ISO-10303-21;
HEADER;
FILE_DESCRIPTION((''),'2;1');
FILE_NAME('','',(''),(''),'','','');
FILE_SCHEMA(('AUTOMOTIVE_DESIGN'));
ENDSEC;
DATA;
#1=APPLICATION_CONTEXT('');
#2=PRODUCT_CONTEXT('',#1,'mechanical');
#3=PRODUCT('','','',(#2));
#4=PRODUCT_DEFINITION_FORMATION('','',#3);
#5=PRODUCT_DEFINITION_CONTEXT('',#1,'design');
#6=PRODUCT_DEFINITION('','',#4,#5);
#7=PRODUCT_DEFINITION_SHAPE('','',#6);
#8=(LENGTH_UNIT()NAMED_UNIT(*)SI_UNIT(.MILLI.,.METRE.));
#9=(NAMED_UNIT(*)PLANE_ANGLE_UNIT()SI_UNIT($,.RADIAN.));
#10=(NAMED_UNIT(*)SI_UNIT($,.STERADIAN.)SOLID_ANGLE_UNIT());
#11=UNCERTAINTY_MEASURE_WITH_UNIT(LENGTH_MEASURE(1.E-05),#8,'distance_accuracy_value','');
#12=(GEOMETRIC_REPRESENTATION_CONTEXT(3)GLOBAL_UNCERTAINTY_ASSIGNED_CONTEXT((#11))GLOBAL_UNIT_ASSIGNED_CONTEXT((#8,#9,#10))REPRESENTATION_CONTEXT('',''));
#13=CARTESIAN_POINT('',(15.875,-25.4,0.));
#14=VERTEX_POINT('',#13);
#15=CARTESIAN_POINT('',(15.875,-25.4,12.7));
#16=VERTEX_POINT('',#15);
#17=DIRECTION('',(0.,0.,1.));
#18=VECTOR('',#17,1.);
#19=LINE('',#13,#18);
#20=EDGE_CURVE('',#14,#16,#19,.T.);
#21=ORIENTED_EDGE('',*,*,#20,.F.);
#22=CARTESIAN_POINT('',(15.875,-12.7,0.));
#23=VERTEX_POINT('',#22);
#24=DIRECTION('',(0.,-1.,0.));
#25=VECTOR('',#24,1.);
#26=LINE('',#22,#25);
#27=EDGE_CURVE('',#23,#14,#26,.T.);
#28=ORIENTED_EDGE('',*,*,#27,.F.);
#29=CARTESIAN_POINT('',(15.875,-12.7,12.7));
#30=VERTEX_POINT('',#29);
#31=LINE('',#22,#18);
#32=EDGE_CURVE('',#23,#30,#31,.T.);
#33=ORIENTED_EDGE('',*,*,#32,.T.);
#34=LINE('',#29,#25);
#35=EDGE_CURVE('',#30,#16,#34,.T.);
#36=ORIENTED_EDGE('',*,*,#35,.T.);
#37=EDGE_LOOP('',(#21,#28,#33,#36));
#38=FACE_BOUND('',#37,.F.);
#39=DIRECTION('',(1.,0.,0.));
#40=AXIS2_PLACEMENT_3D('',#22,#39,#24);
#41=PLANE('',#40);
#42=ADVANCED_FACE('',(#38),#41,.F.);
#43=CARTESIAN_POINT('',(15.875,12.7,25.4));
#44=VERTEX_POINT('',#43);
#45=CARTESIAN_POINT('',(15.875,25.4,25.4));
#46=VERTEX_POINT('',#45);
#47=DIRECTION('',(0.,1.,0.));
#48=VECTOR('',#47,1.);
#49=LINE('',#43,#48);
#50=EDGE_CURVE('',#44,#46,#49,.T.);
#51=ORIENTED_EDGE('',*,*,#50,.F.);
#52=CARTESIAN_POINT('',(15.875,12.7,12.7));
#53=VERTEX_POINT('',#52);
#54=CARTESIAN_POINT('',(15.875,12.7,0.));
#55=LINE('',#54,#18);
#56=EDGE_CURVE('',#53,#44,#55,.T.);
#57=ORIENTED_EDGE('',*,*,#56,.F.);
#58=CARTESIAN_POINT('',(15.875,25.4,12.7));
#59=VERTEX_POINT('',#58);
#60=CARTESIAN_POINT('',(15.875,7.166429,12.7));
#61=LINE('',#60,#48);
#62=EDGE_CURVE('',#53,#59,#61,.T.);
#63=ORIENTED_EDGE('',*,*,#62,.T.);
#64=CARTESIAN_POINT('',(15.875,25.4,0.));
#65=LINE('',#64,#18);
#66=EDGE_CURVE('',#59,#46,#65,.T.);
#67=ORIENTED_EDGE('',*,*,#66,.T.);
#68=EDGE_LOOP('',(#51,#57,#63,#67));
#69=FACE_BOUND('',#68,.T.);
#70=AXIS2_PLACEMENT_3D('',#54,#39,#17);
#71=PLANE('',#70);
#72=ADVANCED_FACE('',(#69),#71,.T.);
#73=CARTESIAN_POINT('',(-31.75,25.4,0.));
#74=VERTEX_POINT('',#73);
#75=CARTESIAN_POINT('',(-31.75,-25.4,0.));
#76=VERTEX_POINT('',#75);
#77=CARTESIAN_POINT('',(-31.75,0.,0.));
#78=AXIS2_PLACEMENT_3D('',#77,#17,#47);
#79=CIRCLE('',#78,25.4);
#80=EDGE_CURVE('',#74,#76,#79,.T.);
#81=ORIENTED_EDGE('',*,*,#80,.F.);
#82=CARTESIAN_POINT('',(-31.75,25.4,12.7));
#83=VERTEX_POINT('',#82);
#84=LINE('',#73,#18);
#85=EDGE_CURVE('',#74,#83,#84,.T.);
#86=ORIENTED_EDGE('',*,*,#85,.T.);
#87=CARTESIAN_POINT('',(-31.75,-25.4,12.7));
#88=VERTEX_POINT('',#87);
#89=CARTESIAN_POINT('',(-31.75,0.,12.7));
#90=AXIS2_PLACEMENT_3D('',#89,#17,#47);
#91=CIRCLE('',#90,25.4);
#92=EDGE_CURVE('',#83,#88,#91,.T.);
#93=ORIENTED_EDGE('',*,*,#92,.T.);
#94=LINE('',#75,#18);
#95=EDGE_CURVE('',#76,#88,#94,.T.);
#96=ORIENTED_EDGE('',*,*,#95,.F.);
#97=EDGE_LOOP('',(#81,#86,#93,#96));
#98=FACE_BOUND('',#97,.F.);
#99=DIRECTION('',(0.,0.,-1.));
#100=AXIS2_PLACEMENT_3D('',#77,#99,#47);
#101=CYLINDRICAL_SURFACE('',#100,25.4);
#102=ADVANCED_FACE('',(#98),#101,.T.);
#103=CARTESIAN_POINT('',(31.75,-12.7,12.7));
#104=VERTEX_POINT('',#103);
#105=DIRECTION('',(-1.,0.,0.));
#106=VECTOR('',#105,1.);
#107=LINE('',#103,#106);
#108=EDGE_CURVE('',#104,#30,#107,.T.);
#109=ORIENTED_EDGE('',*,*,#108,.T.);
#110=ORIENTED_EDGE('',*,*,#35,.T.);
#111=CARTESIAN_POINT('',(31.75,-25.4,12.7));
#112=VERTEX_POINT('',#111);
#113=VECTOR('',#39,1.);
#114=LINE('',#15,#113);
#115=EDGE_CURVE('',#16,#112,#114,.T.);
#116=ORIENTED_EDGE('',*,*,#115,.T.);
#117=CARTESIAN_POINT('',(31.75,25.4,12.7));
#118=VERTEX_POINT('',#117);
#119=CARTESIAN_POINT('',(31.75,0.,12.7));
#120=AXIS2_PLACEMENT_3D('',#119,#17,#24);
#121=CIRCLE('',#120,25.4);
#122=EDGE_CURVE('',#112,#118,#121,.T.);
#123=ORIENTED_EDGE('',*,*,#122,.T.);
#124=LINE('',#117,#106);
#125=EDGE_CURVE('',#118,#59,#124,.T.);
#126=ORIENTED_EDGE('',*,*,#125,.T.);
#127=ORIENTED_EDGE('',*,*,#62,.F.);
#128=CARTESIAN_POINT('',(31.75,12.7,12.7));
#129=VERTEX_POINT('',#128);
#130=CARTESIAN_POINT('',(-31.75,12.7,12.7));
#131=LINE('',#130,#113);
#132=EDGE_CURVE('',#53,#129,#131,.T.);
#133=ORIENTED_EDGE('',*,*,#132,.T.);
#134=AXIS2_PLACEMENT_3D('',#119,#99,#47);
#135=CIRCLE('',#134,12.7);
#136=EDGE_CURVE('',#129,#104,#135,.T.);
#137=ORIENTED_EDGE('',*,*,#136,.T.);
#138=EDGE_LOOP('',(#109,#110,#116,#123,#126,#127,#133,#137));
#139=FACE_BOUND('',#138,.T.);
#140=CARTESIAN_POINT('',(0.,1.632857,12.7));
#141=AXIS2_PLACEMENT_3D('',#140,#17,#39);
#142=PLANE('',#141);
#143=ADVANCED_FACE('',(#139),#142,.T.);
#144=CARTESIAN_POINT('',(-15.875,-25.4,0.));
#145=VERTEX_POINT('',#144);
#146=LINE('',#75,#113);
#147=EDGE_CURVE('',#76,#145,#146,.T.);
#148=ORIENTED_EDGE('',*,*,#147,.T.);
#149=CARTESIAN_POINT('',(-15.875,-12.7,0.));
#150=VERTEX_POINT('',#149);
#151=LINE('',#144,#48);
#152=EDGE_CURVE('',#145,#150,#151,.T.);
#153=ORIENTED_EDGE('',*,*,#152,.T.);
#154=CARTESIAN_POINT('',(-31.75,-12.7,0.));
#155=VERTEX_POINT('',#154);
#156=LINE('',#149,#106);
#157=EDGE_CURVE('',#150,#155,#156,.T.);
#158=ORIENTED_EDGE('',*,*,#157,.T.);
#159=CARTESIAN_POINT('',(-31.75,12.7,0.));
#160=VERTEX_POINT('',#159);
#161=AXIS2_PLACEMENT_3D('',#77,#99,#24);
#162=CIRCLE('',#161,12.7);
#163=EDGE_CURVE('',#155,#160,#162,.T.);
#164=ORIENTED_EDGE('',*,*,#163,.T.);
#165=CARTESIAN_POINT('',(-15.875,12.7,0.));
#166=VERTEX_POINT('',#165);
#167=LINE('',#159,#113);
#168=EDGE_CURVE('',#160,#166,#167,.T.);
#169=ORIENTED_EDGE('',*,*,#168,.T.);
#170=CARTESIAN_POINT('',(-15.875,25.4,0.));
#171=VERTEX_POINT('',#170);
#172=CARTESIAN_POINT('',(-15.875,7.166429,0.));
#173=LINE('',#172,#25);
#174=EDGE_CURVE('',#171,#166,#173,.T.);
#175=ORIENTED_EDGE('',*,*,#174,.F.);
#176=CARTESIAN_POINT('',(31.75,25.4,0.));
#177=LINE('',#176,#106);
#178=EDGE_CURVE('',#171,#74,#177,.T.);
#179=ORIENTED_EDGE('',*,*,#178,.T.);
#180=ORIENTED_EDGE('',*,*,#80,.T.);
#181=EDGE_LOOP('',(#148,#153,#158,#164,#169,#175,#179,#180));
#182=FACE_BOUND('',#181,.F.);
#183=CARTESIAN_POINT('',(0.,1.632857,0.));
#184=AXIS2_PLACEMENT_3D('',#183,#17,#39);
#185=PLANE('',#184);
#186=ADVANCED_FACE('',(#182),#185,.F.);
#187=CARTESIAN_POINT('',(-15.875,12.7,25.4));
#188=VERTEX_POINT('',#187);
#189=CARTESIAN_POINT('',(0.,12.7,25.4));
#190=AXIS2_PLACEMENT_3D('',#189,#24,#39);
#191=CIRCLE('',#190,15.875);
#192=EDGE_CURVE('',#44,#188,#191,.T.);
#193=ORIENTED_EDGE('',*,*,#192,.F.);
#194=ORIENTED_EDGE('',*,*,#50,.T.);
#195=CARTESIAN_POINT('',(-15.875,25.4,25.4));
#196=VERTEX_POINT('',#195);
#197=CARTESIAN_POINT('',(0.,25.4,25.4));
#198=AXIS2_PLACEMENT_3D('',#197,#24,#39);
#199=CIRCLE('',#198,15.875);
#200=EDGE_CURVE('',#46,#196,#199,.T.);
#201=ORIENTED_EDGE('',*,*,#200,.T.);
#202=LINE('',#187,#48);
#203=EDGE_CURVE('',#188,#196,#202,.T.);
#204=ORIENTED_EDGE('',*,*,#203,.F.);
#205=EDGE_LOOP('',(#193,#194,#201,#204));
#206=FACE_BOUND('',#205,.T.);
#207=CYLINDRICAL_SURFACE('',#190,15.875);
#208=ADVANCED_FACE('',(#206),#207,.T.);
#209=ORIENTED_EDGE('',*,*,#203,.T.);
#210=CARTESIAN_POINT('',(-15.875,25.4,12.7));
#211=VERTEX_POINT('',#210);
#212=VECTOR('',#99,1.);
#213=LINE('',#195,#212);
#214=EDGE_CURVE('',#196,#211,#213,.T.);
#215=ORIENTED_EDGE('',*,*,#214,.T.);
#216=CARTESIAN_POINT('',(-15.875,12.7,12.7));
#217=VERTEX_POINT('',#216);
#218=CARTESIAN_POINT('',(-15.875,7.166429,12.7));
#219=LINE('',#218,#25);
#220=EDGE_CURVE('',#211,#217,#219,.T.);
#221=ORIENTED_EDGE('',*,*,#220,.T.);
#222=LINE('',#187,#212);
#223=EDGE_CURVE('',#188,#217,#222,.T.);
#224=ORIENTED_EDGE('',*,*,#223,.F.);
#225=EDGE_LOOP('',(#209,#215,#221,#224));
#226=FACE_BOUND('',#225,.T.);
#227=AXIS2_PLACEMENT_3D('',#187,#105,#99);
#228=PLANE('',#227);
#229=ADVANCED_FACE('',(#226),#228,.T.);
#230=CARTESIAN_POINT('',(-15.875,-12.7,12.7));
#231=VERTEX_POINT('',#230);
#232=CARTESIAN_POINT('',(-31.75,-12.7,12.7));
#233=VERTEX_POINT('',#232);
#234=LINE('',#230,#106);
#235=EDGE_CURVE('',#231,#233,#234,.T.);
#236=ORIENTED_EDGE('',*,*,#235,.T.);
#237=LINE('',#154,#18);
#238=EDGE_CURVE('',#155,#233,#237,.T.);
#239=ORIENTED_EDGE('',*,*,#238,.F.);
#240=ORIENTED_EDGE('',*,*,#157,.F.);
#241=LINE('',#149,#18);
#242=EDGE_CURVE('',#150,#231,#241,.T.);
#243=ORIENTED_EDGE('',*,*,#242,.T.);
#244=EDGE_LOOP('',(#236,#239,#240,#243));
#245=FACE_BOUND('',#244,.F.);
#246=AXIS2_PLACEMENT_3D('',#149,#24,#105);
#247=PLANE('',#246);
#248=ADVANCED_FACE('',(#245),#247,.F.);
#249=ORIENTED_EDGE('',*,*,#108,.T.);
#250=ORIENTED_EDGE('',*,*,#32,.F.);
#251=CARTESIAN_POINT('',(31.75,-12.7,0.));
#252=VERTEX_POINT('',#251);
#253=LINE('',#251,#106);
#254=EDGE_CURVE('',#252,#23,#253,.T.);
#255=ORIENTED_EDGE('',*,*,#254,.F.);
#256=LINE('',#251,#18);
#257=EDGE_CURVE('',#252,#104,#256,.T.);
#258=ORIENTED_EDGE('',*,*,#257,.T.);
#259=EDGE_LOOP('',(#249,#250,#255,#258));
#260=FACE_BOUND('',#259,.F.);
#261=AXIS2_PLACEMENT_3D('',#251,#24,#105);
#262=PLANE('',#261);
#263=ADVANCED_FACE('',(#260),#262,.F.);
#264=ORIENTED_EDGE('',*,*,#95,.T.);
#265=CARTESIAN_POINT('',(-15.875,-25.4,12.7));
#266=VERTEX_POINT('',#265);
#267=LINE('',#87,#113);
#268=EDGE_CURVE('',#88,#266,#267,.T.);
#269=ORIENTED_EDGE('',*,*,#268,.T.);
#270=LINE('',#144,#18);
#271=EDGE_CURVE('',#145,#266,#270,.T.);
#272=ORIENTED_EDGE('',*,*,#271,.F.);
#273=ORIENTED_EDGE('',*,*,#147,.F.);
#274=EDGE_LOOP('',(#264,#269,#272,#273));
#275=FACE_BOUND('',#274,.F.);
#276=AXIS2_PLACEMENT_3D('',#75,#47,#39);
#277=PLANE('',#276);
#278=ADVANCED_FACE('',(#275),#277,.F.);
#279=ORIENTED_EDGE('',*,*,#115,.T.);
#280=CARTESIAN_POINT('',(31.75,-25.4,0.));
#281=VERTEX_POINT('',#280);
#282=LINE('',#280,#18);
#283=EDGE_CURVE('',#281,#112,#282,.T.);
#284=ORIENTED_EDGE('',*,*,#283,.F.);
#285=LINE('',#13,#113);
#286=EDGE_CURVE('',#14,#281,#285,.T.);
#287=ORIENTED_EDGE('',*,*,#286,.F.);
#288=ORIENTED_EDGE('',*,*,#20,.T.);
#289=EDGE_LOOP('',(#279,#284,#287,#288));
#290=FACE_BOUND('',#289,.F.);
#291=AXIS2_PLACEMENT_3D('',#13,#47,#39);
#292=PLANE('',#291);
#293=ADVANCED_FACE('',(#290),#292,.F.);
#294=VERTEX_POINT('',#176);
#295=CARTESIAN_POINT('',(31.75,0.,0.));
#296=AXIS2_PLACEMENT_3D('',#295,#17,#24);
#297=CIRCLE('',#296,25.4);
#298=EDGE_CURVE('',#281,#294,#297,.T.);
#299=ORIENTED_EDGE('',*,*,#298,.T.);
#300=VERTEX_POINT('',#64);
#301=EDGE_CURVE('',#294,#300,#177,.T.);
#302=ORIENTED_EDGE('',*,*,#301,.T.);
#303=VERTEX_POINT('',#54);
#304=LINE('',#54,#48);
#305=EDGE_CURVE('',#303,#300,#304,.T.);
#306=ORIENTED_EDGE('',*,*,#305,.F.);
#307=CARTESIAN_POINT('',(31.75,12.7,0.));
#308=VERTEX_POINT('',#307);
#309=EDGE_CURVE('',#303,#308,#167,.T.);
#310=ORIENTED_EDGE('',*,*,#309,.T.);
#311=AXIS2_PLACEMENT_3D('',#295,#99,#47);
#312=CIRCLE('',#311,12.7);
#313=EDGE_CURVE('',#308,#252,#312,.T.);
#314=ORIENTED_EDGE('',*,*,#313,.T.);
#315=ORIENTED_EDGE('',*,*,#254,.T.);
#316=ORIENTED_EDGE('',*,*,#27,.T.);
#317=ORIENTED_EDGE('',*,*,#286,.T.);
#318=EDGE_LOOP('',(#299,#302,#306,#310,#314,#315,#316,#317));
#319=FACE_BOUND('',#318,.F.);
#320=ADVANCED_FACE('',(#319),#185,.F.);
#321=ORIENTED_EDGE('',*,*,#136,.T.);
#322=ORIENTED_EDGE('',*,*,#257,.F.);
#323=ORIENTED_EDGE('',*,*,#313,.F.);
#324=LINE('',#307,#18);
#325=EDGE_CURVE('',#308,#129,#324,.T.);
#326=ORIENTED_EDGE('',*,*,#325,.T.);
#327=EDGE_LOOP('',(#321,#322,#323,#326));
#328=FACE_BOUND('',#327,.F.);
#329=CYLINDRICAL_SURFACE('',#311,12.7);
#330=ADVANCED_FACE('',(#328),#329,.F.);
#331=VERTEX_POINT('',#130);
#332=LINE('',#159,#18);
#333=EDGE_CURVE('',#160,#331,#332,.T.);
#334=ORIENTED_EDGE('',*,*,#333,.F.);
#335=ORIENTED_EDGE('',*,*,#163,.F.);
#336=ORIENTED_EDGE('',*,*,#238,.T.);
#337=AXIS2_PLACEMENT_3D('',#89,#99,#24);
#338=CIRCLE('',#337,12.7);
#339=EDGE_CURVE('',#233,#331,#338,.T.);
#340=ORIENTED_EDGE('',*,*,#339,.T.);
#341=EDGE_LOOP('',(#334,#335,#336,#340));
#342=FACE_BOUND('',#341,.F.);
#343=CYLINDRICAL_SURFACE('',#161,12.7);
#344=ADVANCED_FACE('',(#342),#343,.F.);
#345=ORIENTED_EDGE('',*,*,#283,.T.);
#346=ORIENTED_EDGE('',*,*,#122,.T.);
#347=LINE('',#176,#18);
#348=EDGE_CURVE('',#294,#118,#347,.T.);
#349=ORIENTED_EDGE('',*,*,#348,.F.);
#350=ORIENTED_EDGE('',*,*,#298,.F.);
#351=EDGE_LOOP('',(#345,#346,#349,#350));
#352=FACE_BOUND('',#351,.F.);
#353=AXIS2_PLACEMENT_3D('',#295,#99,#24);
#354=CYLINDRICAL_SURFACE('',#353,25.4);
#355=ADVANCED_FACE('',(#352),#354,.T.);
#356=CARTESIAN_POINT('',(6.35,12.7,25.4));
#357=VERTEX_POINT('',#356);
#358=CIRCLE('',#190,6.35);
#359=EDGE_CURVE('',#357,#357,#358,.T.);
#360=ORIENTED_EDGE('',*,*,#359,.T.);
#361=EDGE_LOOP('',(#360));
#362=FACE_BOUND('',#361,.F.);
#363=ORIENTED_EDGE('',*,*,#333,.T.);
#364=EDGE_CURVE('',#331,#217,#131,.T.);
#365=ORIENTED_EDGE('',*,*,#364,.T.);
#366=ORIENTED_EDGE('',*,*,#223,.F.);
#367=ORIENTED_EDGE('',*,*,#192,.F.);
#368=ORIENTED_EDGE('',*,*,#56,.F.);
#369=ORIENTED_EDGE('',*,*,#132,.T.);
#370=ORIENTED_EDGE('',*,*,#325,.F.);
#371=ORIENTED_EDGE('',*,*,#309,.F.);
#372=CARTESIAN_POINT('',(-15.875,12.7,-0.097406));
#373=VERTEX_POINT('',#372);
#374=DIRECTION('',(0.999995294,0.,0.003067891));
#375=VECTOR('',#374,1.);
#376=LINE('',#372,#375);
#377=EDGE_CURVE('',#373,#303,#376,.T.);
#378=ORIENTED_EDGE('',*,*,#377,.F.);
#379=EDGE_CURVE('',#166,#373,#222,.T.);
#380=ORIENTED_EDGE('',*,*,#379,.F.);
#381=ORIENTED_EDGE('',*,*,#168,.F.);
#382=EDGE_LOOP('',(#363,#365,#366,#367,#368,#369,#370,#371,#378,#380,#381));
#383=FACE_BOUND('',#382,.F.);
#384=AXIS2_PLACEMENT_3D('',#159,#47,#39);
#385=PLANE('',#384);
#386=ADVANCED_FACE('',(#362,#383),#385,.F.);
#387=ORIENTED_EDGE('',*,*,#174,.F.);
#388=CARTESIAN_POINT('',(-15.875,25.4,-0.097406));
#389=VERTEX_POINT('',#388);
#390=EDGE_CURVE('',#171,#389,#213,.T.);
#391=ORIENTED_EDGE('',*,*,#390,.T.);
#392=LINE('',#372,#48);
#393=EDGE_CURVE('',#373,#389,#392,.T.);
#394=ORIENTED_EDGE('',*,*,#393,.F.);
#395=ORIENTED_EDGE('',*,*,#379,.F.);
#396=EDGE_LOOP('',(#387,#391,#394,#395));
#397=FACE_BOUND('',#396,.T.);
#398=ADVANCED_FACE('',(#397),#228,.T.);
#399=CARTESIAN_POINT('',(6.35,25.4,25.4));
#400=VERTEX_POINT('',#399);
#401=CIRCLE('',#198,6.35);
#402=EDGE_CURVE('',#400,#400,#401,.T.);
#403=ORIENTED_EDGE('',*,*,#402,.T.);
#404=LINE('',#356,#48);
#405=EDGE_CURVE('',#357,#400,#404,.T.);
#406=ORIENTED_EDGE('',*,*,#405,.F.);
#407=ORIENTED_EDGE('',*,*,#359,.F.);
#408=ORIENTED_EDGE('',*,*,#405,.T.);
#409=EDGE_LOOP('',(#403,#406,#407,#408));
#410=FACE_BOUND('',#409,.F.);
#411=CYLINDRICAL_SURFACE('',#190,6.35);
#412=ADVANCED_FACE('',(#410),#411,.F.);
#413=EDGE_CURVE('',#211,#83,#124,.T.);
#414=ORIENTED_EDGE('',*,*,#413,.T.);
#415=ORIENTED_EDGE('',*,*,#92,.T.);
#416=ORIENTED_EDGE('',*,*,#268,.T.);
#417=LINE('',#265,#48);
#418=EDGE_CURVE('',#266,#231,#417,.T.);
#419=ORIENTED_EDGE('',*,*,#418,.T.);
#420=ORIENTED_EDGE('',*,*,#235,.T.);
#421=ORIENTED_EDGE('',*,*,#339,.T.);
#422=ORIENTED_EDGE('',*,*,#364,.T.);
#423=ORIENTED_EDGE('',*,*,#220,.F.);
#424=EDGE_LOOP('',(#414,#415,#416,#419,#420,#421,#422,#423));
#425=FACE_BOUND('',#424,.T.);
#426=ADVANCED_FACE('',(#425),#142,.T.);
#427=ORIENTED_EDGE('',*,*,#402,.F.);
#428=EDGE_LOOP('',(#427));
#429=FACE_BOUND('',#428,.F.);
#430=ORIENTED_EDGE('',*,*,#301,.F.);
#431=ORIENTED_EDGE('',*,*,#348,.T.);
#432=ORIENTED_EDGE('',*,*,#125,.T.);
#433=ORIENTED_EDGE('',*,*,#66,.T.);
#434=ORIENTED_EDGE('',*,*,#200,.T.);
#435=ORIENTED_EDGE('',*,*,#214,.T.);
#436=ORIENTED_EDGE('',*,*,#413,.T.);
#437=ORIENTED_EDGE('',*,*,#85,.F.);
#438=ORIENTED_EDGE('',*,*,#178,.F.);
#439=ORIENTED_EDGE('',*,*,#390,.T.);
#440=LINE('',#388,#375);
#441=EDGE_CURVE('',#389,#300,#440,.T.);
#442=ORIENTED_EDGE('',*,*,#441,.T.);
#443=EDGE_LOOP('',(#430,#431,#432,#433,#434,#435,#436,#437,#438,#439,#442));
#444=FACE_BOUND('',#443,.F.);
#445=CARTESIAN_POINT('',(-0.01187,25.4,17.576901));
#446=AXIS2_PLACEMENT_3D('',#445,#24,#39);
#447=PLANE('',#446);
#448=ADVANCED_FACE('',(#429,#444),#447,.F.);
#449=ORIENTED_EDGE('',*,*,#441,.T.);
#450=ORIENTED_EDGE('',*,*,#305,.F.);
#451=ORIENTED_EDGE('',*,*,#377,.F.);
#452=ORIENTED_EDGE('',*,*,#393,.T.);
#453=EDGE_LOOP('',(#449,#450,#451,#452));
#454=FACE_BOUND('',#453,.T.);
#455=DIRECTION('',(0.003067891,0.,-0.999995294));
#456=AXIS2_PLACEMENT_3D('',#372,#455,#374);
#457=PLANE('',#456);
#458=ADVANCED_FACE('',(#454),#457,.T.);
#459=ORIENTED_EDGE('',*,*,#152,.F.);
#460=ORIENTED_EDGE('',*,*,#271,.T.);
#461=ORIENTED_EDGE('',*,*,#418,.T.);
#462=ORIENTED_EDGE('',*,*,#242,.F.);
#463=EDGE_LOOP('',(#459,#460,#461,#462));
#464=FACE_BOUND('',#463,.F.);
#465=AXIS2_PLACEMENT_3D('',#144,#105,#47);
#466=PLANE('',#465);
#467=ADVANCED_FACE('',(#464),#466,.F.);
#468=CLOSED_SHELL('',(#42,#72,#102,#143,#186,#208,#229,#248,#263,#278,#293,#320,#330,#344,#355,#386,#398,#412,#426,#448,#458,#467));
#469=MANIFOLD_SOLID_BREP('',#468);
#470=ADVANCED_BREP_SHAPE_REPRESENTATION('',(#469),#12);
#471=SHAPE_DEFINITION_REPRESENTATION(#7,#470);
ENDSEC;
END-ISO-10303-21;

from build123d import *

# Parameters (mm, degrees)
F1_DEPTH = 12.7
F2_R     = 6.35
F3_DEPTH = 12.7


with BuildPart() as f1:
    # F0 (on Top) → F1 (new body)
    with BuildSketch(Plane.XY):
        with BuildLine():
            Line((15.875, -25.4), (31.75, -25.4))
            ThreePointArc((31.75, -25.4), (57.15, 0), (31.75, 25.4))
            Line((31.75, 25.4), (0, 25.4))
            Line((0, 25.4), (-31.75, 25.4))
            ThreePointArc((-31.75, 25.4), (-57.15, 0), (-31.75, -25.4))
            Line((-31.75, -25.4), (-15.875, -25.4))
            Line((-15.875, -25.4), (-15.875, -12.7))
            Line((-15.875, -12.7), (-31.75, -12.7))
            ThreePointArc((-31.75, -12.7), (-44.45, 0), (-31.75, 12.7))
            Line((-31.75, 12.7), (0, 12.7))
            Line((0, 12.7), (31.75, 12.7))
            ThreePointArc((31.75, 12.7), (44.45, 0), (31.75, -12.7))
            Line((31.75, -12.7), (15.875, -12.7))
            Line((15.875, -12.7), (15.875, -25.4))
        make_face()
    extrude(amount=F1_DEPTH)

    # F2 (on face) → F3 (join)
    with BuildSketch(Plane.XZ.offset(-12.7)):
        with BuildLine():
            Line((15.875, 0), (15.875, 25.4))
            ThreePointArc((15.875, 25.4), (0, 41.275), (-15.875, 25.4))
            Line((-15.875, 25.4), (-15.875, -0.097406))
            Line((-15.875, -0.097406), (15.875, 0))
        make_face()
        with Locations((0, 25.4)):
            Circle(F2_R, mode=Mode.SUBTRACT)
    extrude(amount=-F3_DEPTH)


solid = f1.part
